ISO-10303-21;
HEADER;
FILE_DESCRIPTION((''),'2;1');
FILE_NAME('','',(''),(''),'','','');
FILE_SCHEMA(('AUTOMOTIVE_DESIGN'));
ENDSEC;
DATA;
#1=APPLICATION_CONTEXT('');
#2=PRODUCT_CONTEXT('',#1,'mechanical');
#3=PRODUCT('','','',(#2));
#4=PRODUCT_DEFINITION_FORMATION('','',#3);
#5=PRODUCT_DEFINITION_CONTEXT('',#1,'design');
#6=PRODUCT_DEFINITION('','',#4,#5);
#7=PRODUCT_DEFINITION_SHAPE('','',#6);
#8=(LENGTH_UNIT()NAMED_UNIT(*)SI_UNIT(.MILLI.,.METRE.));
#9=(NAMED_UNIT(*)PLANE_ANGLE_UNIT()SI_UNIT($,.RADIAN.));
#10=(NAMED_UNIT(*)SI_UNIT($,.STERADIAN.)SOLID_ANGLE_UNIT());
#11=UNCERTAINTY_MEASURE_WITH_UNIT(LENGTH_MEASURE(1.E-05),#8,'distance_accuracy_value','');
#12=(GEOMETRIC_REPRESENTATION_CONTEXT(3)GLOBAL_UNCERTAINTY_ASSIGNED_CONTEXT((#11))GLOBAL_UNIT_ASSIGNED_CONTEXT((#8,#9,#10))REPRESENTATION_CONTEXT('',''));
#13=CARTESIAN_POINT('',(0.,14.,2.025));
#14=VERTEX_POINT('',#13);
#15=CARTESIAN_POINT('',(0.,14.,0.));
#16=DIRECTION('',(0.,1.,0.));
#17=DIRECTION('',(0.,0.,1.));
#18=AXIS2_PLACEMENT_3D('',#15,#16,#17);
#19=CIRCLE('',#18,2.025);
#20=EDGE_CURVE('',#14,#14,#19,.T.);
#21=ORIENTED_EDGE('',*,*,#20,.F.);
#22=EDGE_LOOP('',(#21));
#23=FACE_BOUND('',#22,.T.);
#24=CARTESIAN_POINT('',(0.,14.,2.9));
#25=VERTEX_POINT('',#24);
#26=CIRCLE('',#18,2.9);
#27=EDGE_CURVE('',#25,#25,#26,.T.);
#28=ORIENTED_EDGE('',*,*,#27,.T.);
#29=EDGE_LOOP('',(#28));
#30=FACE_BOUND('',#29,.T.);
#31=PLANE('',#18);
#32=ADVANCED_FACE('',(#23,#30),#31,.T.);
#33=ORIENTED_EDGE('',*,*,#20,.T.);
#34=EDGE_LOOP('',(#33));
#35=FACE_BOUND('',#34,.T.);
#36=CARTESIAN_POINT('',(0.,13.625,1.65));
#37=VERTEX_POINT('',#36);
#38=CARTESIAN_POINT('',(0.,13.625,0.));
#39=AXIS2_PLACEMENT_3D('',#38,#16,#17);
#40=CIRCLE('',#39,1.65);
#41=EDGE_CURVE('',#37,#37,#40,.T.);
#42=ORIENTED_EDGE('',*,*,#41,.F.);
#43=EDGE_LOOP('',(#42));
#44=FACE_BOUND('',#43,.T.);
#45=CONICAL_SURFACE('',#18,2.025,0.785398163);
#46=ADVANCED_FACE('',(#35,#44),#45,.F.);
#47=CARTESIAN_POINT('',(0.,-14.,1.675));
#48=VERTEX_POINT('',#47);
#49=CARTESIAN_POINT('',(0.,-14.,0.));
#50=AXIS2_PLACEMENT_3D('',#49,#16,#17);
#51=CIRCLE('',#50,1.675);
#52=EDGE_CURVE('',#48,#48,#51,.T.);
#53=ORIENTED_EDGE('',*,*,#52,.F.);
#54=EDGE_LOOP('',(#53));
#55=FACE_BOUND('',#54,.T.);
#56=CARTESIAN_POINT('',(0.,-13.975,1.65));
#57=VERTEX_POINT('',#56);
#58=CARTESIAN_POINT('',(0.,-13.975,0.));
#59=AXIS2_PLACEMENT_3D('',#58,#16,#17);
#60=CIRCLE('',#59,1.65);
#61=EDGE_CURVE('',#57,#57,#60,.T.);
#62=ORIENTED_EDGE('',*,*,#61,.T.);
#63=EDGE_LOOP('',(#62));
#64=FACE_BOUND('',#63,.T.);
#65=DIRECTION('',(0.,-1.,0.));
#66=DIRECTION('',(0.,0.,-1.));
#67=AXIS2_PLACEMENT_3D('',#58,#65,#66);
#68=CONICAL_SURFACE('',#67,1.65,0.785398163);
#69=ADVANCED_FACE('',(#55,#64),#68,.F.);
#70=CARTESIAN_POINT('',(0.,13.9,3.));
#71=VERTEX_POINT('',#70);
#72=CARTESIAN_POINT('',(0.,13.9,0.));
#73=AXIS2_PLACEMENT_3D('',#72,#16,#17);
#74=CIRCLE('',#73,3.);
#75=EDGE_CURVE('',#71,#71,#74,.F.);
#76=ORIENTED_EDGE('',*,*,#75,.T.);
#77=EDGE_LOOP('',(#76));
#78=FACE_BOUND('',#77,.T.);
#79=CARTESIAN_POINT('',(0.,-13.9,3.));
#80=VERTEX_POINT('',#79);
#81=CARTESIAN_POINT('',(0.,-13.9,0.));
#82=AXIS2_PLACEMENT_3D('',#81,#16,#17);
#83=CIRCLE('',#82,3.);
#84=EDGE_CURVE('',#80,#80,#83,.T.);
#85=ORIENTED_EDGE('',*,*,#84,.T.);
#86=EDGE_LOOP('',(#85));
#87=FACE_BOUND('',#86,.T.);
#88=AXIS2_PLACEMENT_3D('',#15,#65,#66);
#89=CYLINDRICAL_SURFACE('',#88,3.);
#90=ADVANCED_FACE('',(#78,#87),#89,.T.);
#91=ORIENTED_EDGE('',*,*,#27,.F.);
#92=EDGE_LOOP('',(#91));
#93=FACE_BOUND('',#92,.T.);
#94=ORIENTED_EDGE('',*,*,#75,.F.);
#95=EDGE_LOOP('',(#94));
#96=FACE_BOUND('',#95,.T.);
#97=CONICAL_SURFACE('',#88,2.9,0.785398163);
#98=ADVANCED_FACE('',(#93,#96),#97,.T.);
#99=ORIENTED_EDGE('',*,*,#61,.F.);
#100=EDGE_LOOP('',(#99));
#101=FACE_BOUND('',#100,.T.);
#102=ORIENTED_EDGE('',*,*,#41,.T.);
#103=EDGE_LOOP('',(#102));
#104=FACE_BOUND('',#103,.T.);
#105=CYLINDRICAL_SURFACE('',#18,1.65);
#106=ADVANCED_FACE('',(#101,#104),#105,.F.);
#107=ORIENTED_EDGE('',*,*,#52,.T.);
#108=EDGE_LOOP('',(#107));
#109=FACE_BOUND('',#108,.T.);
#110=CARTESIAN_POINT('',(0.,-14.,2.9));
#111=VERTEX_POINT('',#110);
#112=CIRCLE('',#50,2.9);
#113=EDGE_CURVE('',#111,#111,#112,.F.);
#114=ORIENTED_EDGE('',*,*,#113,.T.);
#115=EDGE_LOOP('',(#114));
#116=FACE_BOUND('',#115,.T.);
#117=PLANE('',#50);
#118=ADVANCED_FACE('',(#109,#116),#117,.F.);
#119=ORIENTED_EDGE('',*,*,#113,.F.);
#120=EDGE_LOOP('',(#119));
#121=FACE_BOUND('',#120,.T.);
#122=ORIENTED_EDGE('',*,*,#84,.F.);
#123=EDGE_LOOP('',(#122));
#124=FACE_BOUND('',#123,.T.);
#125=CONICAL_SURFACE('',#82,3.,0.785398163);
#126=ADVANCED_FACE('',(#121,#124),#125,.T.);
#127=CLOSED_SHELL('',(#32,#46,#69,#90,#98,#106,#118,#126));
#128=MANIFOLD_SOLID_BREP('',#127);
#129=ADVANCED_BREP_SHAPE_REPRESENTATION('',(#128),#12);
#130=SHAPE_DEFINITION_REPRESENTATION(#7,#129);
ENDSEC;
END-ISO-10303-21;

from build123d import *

# Parameters (mm, degrees)
SKETCH_1_R      = 3
EXTRUDE_1_DEPTH = 14
CHAMFER_1_SIZE  = 0.1


with BuildPart() as part:
    # 草图1 → 凸台-拉伸1 (new, symmetric)
    with BuildSketch(Plane(origin=(0, 0, 0), x_dir=(1, 0, 0), z_dir=(0, 1, 0))):
        with Locations(Location((0, 0, 0), (0, 0, 270))):
            Circle(SKETCH_1_R)
    extrude(amount=EXTRUDE_1_DEPTH, both=True)

    # 草图3 → M4 Tapped Hole1 (revolve, cut)
    with BuildSketch(Plane(origin=(0, 14, 0), x_dir=(0, 0, 1), z_dir=(1, 0, 0))):
        Polygon((0, 0), (0, 28), (1.675, 28), (1.65, 27.975), (1.65, 0.375), (2.025, 0), align=None)
    revolve(axis=Axis((0, 20.35, 0), (0, -1, 0)), mode=Mode.SUBTRACT)

    # 倒角1
    chamfer_1_edges = [part.edges().sort_by_distance(p)[0] for p in [
        (0, -14, -3),
        (0, 14, -3),
    ]]
    chamfer(chamfer_1_edges, length=CHAMFER_1_SIZE)


solid = part.part
